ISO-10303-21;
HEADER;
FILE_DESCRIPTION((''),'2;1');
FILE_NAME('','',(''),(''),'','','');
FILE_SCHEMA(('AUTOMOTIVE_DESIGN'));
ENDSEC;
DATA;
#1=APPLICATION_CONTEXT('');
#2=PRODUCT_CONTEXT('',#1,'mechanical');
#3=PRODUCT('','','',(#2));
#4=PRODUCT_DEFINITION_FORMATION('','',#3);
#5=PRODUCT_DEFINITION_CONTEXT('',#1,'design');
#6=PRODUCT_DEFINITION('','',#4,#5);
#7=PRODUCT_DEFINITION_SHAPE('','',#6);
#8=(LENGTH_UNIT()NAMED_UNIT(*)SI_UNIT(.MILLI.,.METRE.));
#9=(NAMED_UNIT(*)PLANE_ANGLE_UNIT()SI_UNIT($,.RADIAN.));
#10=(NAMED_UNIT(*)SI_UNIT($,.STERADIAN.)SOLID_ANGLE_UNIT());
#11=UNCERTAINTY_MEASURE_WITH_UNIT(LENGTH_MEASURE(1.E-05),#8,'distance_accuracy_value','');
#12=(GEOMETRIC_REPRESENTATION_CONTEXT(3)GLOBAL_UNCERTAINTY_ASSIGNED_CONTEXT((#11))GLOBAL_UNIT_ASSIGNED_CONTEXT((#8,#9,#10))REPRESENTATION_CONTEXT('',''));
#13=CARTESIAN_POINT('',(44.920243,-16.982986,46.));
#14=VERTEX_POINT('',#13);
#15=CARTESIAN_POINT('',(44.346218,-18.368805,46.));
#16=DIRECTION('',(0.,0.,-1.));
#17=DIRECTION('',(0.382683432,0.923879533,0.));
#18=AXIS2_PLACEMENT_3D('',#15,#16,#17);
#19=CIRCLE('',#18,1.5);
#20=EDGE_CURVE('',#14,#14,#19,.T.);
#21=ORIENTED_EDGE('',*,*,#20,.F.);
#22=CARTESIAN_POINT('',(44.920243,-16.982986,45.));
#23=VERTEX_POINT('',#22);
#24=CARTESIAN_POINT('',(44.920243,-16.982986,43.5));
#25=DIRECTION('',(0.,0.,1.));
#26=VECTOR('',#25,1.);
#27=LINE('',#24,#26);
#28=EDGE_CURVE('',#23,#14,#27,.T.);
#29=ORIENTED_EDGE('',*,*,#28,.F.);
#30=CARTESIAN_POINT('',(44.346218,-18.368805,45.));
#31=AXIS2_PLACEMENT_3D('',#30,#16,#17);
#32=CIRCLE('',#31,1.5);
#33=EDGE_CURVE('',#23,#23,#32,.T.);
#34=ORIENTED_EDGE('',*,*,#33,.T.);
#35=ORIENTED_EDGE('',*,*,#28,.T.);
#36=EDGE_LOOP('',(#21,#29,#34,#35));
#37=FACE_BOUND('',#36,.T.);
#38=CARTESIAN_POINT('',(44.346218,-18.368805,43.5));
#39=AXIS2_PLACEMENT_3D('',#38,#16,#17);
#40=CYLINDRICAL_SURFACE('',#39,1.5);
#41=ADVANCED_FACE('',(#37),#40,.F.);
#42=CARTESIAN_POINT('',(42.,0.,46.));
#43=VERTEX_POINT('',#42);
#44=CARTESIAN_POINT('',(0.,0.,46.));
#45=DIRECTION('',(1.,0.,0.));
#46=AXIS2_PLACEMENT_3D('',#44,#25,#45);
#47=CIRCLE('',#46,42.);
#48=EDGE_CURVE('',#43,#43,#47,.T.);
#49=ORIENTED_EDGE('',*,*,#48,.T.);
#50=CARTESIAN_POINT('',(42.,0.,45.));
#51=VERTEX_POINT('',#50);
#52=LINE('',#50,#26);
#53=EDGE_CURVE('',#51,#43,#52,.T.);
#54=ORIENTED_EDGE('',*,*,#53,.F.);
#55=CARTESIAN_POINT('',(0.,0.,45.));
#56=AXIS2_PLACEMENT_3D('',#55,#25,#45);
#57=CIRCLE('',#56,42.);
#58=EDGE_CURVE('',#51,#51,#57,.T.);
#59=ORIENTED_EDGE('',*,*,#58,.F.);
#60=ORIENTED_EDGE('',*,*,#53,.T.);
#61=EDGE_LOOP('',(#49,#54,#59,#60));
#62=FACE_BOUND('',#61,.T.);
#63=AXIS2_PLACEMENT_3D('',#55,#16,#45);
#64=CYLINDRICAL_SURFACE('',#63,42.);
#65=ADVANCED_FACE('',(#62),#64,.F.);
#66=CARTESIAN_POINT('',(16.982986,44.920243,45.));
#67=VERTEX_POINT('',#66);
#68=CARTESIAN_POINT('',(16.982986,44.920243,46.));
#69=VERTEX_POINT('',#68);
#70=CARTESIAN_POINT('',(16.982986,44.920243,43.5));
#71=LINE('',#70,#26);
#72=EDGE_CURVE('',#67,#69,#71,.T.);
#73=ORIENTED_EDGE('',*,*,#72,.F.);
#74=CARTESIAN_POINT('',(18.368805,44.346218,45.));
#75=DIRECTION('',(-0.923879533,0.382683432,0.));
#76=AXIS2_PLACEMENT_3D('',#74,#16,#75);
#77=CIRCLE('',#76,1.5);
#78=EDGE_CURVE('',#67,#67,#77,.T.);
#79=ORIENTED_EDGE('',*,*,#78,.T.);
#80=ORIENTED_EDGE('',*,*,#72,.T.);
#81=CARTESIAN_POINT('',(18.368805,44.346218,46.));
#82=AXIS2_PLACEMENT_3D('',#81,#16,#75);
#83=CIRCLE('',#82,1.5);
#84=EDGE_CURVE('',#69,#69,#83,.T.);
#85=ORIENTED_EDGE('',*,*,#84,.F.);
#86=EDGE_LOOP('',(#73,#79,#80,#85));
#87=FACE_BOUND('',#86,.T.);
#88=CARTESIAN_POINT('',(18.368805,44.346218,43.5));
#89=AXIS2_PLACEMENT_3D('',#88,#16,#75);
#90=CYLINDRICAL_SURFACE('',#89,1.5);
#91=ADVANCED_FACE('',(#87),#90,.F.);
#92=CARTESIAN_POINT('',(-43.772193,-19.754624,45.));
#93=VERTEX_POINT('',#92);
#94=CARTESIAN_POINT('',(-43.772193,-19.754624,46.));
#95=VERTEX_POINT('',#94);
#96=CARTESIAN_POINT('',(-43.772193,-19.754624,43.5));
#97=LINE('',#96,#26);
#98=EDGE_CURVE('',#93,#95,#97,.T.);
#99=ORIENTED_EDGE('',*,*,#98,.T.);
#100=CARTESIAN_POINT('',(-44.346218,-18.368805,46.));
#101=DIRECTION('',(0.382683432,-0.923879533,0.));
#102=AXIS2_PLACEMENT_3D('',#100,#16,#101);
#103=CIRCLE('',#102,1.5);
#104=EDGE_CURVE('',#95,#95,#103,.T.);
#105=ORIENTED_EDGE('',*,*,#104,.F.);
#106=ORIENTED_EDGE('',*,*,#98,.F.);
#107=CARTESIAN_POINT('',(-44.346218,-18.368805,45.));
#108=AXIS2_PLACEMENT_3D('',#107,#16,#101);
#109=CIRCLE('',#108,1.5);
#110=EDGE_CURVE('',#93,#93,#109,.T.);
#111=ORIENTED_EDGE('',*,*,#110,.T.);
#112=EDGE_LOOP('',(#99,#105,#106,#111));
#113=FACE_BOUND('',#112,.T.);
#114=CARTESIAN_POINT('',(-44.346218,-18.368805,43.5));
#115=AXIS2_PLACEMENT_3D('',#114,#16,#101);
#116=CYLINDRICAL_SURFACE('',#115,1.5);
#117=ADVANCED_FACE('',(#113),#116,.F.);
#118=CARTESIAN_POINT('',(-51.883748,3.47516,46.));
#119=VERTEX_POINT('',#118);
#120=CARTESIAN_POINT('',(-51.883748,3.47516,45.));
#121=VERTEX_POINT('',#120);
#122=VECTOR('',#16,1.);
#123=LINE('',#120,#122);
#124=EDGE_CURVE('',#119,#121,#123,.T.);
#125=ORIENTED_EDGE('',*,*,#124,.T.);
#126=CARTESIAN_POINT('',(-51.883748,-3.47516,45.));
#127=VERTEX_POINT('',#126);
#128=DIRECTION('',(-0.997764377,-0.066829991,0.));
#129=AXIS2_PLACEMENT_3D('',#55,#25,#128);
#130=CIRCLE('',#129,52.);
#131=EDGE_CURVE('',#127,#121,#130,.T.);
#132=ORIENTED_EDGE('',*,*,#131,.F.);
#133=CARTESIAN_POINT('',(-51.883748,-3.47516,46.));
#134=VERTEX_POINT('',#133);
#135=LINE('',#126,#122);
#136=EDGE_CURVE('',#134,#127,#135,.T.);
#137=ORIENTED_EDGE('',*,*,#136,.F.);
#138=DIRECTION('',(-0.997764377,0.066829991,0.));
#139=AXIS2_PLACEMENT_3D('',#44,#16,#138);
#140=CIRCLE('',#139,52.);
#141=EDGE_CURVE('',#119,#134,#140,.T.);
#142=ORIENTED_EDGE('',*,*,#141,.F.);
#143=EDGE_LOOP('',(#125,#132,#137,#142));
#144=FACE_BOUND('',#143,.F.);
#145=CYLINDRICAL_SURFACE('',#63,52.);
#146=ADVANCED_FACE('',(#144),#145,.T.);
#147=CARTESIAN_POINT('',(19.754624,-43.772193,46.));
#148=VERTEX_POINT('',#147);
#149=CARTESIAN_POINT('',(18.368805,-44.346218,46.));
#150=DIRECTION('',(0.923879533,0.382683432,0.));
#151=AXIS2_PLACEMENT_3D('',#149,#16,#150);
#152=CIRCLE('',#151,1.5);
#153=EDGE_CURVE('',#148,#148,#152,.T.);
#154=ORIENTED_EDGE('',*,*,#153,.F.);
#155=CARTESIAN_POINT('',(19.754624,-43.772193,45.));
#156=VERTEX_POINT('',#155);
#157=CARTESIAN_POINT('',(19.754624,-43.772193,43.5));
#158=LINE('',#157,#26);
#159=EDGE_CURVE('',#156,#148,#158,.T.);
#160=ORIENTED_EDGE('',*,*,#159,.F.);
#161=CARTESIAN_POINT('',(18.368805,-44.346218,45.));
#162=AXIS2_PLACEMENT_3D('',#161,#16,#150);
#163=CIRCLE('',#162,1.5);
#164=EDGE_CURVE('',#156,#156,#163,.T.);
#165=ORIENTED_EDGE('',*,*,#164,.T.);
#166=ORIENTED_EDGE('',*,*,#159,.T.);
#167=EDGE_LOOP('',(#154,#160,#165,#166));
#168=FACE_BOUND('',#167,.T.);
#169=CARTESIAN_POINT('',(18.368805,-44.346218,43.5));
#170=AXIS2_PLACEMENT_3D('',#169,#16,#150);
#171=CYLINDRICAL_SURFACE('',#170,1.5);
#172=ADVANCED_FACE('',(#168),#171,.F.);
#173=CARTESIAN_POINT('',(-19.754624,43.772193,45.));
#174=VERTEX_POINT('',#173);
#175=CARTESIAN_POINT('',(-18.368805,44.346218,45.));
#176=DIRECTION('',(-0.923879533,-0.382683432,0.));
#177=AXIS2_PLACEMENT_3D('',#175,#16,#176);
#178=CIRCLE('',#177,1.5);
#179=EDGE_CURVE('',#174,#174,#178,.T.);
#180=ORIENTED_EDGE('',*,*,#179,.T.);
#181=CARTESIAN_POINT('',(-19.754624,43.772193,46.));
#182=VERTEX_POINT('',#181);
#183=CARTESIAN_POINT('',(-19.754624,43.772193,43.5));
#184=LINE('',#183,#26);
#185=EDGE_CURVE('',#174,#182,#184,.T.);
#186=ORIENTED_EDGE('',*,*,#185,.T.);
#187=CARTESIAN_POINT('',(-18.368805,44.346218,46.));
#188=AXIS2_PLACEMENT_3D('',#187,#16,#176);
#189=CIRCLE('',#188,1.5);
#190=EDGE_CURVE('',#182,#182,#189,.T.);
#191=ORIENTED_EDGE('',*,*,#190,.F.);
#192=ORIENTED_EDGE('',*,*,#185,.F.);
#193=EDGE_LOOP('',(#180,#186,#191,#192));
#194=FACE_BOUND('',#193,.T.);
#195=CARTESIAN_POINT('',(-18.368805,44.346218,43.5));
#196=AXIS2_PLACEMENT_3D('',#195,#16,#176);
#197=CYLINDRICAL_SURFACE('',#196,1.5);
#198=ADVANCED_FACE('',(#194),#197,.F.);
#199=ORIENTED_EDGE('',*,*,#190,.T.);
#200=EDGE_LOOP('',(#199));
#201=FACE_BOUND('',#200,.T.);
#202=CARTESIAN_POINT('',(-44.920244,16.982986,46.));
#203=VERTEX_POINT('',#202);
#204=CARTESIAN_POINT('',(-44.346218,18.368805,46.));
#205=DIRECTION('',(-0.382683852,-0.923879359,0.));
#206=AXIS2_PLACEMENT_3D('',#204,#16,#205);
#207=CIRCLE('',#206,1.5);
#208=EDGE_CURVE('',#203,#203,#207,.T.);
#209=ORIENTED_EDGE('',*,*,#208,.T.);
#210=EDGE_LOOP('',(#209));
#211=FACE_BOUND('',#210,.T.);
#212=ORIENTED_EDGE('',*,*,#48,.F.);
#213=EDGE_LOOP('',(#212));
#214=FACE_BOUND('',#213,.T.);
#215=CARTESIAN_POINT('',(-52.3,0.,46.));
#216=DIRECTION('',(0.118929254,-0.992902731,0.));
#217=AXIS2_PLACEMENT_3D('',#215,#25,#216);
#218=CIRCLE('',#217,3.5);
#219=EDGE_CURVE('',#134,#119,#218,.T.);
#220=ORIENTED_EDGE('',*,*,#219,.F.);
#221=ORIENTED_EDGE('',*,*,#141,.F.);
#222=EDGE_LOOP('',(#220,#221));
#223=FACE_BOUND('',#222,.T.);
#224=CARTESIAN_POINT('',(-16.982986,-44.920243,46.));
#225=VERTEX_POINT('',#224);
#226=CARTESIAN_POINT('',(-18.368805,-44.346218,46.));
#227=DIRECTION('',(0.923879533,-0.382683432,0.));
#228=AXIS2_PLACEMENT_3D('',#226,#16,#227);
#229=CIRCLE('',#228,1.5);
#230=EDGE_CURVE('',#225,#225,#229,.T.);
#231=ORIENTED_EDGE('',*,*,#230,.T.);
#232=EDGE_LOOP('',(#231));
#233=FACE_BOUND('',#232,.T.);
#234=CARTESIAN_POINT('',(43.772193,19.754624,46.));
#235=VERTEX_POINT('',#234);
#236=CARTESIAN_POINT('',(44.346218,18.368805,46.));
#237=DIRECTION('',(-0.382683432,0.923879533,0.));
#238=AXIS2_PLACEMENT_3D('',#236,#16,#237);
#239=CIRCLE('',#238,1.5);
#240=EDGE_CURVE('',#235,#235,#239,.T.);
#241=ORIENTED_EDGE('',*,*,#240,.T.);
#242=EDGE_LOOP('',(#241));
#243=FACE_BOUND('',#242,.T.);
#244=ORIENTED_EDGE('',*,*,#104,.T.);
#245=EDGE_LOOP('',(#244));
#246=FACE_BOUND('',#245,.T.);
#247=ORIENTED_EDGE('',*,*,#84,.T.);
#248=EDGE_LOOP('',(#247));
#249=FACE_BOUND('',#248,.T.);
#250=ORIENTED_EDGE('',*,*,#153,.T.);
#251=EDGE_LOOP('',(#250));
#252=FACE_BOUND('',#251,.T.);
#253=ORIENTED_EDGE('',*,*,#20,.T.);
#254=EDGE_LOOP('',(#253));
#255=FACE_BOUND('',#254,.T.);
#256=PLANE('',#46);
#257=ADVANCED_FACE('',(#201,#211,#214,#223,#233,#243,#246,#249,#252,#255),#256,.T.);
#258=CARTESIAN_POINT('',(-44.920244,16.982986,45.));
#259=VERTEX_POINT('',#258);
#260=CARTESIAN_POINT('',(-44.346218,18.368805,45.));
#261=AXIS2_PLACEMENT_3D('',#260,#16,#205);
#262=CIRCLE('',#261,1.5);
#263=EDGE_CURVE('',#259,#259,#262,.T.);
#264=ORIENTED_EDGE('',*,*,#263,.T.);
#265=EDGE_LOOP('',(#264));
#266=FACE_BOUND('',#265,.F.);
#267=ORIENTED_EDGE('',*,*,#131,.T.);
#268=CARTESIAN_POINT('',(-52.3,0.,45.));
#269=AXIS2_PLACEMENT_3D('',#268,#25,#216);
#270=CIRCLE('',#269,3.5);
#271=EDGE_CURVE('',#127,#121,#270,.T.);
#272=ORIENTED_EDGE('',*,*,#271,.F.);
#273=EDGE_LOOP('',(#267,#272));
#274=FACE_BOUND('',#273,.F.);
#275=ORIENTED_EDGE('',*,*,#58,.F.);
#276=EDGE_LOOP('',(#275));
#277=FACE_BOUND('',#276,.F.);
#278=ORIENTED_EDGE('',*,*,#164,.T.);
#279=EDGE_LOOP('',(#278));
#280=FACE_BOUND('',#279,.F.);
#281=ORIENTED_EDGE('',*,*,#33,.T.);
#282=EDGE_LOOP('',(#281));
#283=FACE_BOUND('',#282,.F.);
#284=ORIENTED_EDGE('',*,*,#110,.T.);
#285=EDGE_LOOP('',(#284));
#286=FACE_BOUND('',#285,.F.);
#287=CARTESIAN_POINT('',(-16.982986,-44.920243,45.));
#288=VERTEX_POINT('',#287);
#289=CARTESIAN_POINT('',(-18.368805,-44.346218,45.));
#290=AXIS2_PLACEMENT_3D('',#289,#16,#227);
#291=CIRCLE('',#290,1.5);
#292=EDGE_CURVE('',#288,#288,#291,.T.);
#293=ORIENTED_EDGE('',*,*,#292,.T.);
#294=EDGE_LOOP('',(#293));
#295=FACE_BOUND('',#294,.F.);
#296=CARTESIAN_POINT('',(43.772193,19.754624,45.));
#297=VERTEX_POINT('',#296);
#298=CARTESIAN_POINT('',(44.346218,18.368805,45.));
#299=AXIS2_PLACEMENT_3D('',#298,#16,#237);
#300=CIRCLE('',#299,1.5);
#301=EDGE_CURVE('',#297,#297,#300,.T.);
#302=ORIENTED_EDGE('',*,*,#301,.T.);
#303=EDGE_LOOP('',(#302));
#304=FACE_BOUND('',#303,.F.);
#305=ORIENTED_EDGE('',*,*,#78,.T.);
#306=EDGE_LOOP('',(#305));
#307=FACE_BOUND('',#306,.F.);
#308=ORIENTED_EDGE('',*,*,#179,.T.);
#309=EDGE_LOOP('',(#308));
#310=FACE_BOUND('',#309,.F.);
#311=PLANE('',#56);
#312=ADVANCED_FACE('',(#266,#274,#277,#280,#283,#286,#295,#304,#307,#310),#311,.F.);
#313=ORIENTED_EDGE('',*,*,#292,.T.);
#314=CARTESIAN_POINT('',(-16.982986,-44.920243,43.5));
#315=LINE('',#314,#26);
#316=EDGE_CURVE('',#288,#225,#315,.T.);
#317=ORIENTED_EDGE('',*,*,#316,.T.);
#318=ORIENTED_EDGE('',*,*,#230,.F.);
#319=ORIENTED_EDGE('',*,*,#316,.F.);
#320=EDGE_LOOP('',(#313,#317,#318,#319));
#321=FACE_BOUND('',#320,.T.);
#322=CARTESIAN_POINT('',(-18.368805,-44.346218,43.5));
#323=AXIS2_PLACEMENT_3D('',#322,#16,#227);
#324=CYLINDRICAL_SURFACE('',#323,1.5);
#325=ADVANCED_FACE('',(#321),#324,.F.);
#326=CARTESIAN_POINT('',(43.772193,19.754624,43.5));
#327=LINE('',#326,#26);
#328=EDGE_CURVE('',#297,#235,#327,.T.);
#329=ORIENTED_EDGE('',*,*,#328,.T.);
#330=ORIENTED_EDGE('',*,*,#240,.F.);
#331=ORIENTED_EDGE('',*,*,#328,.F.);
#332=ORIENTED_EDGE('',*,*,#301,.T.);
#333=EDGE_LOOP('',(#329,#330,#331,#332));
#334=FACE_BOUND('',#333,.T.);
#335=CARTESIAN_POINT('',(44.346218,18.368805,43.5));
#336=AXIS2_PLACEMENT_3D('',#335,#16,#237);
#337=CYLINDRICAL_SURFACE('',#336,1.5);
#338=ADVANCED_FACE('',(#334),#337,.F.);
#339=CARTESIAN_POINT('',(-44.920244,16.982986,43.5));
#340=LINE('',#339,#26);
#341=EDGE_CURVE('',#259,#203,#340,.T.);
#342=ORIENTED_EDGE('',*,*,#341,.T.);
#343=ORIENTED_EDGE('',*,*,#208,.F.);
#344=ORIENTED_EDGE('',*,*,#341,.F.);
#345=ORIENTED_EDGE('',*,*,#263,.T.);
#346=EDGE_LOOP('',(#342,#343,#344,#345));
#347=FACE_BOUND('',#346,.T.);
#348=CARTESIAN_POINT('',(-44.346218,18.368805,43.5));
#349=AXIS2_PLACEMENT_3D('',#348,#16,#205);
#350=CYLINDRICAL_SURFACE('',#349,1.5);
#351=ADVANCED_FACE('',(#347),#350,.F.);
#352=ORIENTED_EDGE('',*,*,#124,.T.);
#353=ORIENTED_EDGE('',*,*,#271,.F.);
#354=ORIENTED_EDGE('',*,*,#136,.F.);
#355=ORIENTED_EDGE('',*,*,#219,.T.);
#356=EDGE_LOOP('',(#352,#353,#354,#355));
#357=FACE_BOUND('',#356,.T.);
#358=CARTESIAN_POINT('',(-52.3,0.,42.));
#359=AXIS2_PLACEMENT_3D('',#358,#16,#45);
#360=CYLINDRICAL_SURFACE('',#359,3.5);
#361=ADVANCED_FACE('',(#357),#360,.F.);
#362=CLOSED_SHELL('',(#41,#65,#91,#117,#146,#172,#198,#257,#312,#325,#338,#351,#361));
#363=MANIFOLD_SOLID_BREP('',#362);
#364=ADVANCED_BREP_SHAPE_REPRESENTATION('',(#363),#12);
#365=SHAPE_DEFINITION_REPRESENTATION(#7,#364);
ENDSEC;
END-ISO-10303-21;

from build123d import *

# Parameters (mm, degrees)
CYLINDER838_R               = 3.5
CYLINDER838_DEPTH           = 20
CYLINDER844_R               = 1.5
CYLINDER844_DEPTH           = 32
CYLINDER844_PLACEMENT_ANGLE = 67.5
CYLINDER845_R               = 1.5
CYLINDER845_DEPTH           = 32
CYLINDER845_PLACEMENT_ANGLE = 112.5
CYLINDER841_R               = 1.5
CYLINDER841_DEPTH           = 32
CYLINDER841_PLACEMENT_ANGLE = 157.5
CYLINDER847_R               = 1.5
CYLINDER847_DEPTH           = 32
CYLINDER847_PLACEMENT_ANGLE = 202.5
CYLINDER839_R               = 1.5
CYLINDER839_DEPTH           = 32
CYLINDER839_PLACEMENT_ANGLE = 112.500026
CYLINDER849_R               = 1.5
CYLINDER849_DEPTH           = 32
CYLINDER849_PLACEMENT_ANGLE = 67.5
CYLINDER848_R               = 1.5
CYLINDER848_DEPTH           = 32
CYLINDER848_PLACEMENT_ANGLE = 22.5
CYLINDER846_R               = 1.5
CYLINDER846_DEPTH           = 32
CYLINDER846_PLACEMENT_ANGLE = 22.5
TUBE080_R                   = 52
TUBE080_R_2                 = 42
TUBE080_DEPTH               = 1


with BuildPart() as v_lec838:
    # Cylinder838 → Cylinder838 (new body)
    with BuildSketch(Plane(origin=(-52.3, 0, 34), x_dir=(1, 0, 0), z_dir=(0, 0, 1))):
        Circle(CYLINDER838_R)
    extrude(amount=CYLINDER838_DEPTH)


with BuildPart() as v_lec844:
    # Cylinder844 → Cylinder844 (new body)
    with BuildSketch(Plane.XY):
        Circle(CYLINDER844_R)
    extrude(amount=CYLINDER844_DEPTH)


with BuildPart() as v_lec844_1:
    # Cylinder844 placement: moved
    add(v_lec844.part.moved(Location((44.346218, -18.368805, 35.5))).rotate(Axis((44.346218, -18.368805, 35.5), (0, 0, 1)), CYLINDER844_PLACEMENT_ANGLE))


with BuildPart() as v_lec845:
    # Cylinder845 → Cylinder845 (new body)
    with BuildSketch(Plane.XY):
        Circle(CYLINDER845_R)
    extrude(amount=CYLINDER845_DEPTH)


with BuildPart() as v_lec845_1:
    # Cylinder845 placement: moved
    add(v_lec845.part.moved(Location((44.346218, 18.368805, 35.5))).rotate(Axis((44.346218, 18.368805, 35.5), (0, 0, 1)), CYLINDER845_PLACEMENT_ANGLE))


with BuildPart() as v_lec841:
    # Cylinder841 → Cylinder841 (new body)
    with BuildSketch(Plane.XY):
        Circle(CYLINDER841_R)
    extrude(amount=CYLINDER841_DEPTH)


with BuildPart() as v_lec841_1:
    # Cylinder841 placement: moved
    add(v_lec841.part.moved(Location((18.368805, 44.346218, 35.5))).rotate(Axis((18.368805, 44.346218, 35.5), (0, 0, 1)), CYLINDER841_PLACEMENT_ANGLE))


with BuildPart() as v_lec847:
    # Cylinder847 → Cylinder847 (new body)
    with BuildSketch(Plane.XY):
        Circle(CYLINDER847_R)
    extrude(amount=CYLINDER847_DEPTH)


with BuildPart() as v_lec847_1:
    # Cylinder847 placement: moved
    add(v_lec847.part.moved(Location((-18.368805, 44.346218, 35.5))).rotate(Axis((-18.368805, 44.346218, 35.5), (0, 0, 1)), CYLINDER847_PLACEMENT_ANGLE))


with BuildPart() as v_lec839:
    # Cylinder839 → Cylinder839 (new body)
    with BuildSketch(Plane.XY):
        Circle(CYLINDER839_R)
    extrude(amount=CYLINDER839_DEPTH)


with BuildPart() as v_lec839_1:
    # Cylinder839 placement: moved
    add(v_lec839.part.moved(Location((-44.346218, 18.368805, 35.5))).rotate(Axis((-44.346218, 18.368805, 35.5), (0, 0, -1)), CYLINDER839_PLACEMENT_ANGLE))


with BuildPart() as v_lec849:
    # Cylinder849 → Cylinder849 (new body)
    with BuildSketch(Plane.XY):
        Circle(CYLINDER849_R)
    extrude(amount=CYLINDER849_DEPTH)


with BuildPart() as v_lec849_1:
    # Cylinder849 placement: moved
    add(v_lec849.part.moved(Location((-44.346218, -18.368805, 35.5))).rotate(Axis((-44.346218, -18.368805, 35.5), (0, 0, -1)), CYLINDER849_PLACEMENT_ANGLE))


with BuildPart() as v_lec848:
    # Cylinder848 → Cylinder848 (new body)
    with BuildSketch(Plane.XY):
        Circle(CYLINDER848_R)
    extrude(amount=CYLINDER848_DEPTH)


with BuildPart() as v_lec848_1:
    # Cylinder848 placement: moved
    add(v_lec848.part.moved(Location((-18.368805, -44.346218, 35.5))).rotate(Axis((-18.368805, -44.346218, 35.5), (0, 0, -1)), CYLINDER848_PLACEMENT_ANGLE))


with BuildPart() as compound753:
    # Cylinder846 → Cylinder846 (new body)
    with BuildSketch(Plane.XY):
        Circle(CYLINDER846_R)
    extrude(amount=CYLINDER846_DEPTH)


with BuildPart() as compound753_1:
    # Cylinder846 placement: moved
    add(compound753.part.moved(Location((18.368805, -44.346218, 35.5))).rotate(Axis((18.368805, -44.346218, 35.5), (0, 0, 1)), CYLINDER846_PLACEMENT_ANGLE))

    # Compound753: union Válec844, Válec845, Válec841, Válec847, Válec839, Válec849, Válec848
    add(v_lec844_1.part)
    add(v_lec845_1.part)
    add(v_lec841_1.part)
    add(v_lec847_1.part)
    add(v_lec839_1.part)
    add(v_lec849_1.part)
    add(v_lec848_1.part)


with BuildPart() as cut386:
    # Tube080 → Tube080 (new body)
    with BuildSketch(Plane.XY.offset(37)):
        Circle(TUBE080_R)
        Circle(TUBE080_R_2, mode=Mode.SUBTRACT)
    extrude(amount=TUBE080_DEPTH)

    # Cut385: cut Compound753
    add(compound753_1.part, mode=Mode.SUBTRACT)

    # Cut386: cut Válec838
    add(v_lec838.part, mode=Mode.SUBTRACT)


with BuildPart() as cut386_1:
    # Cut386 placement: moved
    add(cut386.part.moved(Location((0, 0, 8))))


solid = cut386_1.part
